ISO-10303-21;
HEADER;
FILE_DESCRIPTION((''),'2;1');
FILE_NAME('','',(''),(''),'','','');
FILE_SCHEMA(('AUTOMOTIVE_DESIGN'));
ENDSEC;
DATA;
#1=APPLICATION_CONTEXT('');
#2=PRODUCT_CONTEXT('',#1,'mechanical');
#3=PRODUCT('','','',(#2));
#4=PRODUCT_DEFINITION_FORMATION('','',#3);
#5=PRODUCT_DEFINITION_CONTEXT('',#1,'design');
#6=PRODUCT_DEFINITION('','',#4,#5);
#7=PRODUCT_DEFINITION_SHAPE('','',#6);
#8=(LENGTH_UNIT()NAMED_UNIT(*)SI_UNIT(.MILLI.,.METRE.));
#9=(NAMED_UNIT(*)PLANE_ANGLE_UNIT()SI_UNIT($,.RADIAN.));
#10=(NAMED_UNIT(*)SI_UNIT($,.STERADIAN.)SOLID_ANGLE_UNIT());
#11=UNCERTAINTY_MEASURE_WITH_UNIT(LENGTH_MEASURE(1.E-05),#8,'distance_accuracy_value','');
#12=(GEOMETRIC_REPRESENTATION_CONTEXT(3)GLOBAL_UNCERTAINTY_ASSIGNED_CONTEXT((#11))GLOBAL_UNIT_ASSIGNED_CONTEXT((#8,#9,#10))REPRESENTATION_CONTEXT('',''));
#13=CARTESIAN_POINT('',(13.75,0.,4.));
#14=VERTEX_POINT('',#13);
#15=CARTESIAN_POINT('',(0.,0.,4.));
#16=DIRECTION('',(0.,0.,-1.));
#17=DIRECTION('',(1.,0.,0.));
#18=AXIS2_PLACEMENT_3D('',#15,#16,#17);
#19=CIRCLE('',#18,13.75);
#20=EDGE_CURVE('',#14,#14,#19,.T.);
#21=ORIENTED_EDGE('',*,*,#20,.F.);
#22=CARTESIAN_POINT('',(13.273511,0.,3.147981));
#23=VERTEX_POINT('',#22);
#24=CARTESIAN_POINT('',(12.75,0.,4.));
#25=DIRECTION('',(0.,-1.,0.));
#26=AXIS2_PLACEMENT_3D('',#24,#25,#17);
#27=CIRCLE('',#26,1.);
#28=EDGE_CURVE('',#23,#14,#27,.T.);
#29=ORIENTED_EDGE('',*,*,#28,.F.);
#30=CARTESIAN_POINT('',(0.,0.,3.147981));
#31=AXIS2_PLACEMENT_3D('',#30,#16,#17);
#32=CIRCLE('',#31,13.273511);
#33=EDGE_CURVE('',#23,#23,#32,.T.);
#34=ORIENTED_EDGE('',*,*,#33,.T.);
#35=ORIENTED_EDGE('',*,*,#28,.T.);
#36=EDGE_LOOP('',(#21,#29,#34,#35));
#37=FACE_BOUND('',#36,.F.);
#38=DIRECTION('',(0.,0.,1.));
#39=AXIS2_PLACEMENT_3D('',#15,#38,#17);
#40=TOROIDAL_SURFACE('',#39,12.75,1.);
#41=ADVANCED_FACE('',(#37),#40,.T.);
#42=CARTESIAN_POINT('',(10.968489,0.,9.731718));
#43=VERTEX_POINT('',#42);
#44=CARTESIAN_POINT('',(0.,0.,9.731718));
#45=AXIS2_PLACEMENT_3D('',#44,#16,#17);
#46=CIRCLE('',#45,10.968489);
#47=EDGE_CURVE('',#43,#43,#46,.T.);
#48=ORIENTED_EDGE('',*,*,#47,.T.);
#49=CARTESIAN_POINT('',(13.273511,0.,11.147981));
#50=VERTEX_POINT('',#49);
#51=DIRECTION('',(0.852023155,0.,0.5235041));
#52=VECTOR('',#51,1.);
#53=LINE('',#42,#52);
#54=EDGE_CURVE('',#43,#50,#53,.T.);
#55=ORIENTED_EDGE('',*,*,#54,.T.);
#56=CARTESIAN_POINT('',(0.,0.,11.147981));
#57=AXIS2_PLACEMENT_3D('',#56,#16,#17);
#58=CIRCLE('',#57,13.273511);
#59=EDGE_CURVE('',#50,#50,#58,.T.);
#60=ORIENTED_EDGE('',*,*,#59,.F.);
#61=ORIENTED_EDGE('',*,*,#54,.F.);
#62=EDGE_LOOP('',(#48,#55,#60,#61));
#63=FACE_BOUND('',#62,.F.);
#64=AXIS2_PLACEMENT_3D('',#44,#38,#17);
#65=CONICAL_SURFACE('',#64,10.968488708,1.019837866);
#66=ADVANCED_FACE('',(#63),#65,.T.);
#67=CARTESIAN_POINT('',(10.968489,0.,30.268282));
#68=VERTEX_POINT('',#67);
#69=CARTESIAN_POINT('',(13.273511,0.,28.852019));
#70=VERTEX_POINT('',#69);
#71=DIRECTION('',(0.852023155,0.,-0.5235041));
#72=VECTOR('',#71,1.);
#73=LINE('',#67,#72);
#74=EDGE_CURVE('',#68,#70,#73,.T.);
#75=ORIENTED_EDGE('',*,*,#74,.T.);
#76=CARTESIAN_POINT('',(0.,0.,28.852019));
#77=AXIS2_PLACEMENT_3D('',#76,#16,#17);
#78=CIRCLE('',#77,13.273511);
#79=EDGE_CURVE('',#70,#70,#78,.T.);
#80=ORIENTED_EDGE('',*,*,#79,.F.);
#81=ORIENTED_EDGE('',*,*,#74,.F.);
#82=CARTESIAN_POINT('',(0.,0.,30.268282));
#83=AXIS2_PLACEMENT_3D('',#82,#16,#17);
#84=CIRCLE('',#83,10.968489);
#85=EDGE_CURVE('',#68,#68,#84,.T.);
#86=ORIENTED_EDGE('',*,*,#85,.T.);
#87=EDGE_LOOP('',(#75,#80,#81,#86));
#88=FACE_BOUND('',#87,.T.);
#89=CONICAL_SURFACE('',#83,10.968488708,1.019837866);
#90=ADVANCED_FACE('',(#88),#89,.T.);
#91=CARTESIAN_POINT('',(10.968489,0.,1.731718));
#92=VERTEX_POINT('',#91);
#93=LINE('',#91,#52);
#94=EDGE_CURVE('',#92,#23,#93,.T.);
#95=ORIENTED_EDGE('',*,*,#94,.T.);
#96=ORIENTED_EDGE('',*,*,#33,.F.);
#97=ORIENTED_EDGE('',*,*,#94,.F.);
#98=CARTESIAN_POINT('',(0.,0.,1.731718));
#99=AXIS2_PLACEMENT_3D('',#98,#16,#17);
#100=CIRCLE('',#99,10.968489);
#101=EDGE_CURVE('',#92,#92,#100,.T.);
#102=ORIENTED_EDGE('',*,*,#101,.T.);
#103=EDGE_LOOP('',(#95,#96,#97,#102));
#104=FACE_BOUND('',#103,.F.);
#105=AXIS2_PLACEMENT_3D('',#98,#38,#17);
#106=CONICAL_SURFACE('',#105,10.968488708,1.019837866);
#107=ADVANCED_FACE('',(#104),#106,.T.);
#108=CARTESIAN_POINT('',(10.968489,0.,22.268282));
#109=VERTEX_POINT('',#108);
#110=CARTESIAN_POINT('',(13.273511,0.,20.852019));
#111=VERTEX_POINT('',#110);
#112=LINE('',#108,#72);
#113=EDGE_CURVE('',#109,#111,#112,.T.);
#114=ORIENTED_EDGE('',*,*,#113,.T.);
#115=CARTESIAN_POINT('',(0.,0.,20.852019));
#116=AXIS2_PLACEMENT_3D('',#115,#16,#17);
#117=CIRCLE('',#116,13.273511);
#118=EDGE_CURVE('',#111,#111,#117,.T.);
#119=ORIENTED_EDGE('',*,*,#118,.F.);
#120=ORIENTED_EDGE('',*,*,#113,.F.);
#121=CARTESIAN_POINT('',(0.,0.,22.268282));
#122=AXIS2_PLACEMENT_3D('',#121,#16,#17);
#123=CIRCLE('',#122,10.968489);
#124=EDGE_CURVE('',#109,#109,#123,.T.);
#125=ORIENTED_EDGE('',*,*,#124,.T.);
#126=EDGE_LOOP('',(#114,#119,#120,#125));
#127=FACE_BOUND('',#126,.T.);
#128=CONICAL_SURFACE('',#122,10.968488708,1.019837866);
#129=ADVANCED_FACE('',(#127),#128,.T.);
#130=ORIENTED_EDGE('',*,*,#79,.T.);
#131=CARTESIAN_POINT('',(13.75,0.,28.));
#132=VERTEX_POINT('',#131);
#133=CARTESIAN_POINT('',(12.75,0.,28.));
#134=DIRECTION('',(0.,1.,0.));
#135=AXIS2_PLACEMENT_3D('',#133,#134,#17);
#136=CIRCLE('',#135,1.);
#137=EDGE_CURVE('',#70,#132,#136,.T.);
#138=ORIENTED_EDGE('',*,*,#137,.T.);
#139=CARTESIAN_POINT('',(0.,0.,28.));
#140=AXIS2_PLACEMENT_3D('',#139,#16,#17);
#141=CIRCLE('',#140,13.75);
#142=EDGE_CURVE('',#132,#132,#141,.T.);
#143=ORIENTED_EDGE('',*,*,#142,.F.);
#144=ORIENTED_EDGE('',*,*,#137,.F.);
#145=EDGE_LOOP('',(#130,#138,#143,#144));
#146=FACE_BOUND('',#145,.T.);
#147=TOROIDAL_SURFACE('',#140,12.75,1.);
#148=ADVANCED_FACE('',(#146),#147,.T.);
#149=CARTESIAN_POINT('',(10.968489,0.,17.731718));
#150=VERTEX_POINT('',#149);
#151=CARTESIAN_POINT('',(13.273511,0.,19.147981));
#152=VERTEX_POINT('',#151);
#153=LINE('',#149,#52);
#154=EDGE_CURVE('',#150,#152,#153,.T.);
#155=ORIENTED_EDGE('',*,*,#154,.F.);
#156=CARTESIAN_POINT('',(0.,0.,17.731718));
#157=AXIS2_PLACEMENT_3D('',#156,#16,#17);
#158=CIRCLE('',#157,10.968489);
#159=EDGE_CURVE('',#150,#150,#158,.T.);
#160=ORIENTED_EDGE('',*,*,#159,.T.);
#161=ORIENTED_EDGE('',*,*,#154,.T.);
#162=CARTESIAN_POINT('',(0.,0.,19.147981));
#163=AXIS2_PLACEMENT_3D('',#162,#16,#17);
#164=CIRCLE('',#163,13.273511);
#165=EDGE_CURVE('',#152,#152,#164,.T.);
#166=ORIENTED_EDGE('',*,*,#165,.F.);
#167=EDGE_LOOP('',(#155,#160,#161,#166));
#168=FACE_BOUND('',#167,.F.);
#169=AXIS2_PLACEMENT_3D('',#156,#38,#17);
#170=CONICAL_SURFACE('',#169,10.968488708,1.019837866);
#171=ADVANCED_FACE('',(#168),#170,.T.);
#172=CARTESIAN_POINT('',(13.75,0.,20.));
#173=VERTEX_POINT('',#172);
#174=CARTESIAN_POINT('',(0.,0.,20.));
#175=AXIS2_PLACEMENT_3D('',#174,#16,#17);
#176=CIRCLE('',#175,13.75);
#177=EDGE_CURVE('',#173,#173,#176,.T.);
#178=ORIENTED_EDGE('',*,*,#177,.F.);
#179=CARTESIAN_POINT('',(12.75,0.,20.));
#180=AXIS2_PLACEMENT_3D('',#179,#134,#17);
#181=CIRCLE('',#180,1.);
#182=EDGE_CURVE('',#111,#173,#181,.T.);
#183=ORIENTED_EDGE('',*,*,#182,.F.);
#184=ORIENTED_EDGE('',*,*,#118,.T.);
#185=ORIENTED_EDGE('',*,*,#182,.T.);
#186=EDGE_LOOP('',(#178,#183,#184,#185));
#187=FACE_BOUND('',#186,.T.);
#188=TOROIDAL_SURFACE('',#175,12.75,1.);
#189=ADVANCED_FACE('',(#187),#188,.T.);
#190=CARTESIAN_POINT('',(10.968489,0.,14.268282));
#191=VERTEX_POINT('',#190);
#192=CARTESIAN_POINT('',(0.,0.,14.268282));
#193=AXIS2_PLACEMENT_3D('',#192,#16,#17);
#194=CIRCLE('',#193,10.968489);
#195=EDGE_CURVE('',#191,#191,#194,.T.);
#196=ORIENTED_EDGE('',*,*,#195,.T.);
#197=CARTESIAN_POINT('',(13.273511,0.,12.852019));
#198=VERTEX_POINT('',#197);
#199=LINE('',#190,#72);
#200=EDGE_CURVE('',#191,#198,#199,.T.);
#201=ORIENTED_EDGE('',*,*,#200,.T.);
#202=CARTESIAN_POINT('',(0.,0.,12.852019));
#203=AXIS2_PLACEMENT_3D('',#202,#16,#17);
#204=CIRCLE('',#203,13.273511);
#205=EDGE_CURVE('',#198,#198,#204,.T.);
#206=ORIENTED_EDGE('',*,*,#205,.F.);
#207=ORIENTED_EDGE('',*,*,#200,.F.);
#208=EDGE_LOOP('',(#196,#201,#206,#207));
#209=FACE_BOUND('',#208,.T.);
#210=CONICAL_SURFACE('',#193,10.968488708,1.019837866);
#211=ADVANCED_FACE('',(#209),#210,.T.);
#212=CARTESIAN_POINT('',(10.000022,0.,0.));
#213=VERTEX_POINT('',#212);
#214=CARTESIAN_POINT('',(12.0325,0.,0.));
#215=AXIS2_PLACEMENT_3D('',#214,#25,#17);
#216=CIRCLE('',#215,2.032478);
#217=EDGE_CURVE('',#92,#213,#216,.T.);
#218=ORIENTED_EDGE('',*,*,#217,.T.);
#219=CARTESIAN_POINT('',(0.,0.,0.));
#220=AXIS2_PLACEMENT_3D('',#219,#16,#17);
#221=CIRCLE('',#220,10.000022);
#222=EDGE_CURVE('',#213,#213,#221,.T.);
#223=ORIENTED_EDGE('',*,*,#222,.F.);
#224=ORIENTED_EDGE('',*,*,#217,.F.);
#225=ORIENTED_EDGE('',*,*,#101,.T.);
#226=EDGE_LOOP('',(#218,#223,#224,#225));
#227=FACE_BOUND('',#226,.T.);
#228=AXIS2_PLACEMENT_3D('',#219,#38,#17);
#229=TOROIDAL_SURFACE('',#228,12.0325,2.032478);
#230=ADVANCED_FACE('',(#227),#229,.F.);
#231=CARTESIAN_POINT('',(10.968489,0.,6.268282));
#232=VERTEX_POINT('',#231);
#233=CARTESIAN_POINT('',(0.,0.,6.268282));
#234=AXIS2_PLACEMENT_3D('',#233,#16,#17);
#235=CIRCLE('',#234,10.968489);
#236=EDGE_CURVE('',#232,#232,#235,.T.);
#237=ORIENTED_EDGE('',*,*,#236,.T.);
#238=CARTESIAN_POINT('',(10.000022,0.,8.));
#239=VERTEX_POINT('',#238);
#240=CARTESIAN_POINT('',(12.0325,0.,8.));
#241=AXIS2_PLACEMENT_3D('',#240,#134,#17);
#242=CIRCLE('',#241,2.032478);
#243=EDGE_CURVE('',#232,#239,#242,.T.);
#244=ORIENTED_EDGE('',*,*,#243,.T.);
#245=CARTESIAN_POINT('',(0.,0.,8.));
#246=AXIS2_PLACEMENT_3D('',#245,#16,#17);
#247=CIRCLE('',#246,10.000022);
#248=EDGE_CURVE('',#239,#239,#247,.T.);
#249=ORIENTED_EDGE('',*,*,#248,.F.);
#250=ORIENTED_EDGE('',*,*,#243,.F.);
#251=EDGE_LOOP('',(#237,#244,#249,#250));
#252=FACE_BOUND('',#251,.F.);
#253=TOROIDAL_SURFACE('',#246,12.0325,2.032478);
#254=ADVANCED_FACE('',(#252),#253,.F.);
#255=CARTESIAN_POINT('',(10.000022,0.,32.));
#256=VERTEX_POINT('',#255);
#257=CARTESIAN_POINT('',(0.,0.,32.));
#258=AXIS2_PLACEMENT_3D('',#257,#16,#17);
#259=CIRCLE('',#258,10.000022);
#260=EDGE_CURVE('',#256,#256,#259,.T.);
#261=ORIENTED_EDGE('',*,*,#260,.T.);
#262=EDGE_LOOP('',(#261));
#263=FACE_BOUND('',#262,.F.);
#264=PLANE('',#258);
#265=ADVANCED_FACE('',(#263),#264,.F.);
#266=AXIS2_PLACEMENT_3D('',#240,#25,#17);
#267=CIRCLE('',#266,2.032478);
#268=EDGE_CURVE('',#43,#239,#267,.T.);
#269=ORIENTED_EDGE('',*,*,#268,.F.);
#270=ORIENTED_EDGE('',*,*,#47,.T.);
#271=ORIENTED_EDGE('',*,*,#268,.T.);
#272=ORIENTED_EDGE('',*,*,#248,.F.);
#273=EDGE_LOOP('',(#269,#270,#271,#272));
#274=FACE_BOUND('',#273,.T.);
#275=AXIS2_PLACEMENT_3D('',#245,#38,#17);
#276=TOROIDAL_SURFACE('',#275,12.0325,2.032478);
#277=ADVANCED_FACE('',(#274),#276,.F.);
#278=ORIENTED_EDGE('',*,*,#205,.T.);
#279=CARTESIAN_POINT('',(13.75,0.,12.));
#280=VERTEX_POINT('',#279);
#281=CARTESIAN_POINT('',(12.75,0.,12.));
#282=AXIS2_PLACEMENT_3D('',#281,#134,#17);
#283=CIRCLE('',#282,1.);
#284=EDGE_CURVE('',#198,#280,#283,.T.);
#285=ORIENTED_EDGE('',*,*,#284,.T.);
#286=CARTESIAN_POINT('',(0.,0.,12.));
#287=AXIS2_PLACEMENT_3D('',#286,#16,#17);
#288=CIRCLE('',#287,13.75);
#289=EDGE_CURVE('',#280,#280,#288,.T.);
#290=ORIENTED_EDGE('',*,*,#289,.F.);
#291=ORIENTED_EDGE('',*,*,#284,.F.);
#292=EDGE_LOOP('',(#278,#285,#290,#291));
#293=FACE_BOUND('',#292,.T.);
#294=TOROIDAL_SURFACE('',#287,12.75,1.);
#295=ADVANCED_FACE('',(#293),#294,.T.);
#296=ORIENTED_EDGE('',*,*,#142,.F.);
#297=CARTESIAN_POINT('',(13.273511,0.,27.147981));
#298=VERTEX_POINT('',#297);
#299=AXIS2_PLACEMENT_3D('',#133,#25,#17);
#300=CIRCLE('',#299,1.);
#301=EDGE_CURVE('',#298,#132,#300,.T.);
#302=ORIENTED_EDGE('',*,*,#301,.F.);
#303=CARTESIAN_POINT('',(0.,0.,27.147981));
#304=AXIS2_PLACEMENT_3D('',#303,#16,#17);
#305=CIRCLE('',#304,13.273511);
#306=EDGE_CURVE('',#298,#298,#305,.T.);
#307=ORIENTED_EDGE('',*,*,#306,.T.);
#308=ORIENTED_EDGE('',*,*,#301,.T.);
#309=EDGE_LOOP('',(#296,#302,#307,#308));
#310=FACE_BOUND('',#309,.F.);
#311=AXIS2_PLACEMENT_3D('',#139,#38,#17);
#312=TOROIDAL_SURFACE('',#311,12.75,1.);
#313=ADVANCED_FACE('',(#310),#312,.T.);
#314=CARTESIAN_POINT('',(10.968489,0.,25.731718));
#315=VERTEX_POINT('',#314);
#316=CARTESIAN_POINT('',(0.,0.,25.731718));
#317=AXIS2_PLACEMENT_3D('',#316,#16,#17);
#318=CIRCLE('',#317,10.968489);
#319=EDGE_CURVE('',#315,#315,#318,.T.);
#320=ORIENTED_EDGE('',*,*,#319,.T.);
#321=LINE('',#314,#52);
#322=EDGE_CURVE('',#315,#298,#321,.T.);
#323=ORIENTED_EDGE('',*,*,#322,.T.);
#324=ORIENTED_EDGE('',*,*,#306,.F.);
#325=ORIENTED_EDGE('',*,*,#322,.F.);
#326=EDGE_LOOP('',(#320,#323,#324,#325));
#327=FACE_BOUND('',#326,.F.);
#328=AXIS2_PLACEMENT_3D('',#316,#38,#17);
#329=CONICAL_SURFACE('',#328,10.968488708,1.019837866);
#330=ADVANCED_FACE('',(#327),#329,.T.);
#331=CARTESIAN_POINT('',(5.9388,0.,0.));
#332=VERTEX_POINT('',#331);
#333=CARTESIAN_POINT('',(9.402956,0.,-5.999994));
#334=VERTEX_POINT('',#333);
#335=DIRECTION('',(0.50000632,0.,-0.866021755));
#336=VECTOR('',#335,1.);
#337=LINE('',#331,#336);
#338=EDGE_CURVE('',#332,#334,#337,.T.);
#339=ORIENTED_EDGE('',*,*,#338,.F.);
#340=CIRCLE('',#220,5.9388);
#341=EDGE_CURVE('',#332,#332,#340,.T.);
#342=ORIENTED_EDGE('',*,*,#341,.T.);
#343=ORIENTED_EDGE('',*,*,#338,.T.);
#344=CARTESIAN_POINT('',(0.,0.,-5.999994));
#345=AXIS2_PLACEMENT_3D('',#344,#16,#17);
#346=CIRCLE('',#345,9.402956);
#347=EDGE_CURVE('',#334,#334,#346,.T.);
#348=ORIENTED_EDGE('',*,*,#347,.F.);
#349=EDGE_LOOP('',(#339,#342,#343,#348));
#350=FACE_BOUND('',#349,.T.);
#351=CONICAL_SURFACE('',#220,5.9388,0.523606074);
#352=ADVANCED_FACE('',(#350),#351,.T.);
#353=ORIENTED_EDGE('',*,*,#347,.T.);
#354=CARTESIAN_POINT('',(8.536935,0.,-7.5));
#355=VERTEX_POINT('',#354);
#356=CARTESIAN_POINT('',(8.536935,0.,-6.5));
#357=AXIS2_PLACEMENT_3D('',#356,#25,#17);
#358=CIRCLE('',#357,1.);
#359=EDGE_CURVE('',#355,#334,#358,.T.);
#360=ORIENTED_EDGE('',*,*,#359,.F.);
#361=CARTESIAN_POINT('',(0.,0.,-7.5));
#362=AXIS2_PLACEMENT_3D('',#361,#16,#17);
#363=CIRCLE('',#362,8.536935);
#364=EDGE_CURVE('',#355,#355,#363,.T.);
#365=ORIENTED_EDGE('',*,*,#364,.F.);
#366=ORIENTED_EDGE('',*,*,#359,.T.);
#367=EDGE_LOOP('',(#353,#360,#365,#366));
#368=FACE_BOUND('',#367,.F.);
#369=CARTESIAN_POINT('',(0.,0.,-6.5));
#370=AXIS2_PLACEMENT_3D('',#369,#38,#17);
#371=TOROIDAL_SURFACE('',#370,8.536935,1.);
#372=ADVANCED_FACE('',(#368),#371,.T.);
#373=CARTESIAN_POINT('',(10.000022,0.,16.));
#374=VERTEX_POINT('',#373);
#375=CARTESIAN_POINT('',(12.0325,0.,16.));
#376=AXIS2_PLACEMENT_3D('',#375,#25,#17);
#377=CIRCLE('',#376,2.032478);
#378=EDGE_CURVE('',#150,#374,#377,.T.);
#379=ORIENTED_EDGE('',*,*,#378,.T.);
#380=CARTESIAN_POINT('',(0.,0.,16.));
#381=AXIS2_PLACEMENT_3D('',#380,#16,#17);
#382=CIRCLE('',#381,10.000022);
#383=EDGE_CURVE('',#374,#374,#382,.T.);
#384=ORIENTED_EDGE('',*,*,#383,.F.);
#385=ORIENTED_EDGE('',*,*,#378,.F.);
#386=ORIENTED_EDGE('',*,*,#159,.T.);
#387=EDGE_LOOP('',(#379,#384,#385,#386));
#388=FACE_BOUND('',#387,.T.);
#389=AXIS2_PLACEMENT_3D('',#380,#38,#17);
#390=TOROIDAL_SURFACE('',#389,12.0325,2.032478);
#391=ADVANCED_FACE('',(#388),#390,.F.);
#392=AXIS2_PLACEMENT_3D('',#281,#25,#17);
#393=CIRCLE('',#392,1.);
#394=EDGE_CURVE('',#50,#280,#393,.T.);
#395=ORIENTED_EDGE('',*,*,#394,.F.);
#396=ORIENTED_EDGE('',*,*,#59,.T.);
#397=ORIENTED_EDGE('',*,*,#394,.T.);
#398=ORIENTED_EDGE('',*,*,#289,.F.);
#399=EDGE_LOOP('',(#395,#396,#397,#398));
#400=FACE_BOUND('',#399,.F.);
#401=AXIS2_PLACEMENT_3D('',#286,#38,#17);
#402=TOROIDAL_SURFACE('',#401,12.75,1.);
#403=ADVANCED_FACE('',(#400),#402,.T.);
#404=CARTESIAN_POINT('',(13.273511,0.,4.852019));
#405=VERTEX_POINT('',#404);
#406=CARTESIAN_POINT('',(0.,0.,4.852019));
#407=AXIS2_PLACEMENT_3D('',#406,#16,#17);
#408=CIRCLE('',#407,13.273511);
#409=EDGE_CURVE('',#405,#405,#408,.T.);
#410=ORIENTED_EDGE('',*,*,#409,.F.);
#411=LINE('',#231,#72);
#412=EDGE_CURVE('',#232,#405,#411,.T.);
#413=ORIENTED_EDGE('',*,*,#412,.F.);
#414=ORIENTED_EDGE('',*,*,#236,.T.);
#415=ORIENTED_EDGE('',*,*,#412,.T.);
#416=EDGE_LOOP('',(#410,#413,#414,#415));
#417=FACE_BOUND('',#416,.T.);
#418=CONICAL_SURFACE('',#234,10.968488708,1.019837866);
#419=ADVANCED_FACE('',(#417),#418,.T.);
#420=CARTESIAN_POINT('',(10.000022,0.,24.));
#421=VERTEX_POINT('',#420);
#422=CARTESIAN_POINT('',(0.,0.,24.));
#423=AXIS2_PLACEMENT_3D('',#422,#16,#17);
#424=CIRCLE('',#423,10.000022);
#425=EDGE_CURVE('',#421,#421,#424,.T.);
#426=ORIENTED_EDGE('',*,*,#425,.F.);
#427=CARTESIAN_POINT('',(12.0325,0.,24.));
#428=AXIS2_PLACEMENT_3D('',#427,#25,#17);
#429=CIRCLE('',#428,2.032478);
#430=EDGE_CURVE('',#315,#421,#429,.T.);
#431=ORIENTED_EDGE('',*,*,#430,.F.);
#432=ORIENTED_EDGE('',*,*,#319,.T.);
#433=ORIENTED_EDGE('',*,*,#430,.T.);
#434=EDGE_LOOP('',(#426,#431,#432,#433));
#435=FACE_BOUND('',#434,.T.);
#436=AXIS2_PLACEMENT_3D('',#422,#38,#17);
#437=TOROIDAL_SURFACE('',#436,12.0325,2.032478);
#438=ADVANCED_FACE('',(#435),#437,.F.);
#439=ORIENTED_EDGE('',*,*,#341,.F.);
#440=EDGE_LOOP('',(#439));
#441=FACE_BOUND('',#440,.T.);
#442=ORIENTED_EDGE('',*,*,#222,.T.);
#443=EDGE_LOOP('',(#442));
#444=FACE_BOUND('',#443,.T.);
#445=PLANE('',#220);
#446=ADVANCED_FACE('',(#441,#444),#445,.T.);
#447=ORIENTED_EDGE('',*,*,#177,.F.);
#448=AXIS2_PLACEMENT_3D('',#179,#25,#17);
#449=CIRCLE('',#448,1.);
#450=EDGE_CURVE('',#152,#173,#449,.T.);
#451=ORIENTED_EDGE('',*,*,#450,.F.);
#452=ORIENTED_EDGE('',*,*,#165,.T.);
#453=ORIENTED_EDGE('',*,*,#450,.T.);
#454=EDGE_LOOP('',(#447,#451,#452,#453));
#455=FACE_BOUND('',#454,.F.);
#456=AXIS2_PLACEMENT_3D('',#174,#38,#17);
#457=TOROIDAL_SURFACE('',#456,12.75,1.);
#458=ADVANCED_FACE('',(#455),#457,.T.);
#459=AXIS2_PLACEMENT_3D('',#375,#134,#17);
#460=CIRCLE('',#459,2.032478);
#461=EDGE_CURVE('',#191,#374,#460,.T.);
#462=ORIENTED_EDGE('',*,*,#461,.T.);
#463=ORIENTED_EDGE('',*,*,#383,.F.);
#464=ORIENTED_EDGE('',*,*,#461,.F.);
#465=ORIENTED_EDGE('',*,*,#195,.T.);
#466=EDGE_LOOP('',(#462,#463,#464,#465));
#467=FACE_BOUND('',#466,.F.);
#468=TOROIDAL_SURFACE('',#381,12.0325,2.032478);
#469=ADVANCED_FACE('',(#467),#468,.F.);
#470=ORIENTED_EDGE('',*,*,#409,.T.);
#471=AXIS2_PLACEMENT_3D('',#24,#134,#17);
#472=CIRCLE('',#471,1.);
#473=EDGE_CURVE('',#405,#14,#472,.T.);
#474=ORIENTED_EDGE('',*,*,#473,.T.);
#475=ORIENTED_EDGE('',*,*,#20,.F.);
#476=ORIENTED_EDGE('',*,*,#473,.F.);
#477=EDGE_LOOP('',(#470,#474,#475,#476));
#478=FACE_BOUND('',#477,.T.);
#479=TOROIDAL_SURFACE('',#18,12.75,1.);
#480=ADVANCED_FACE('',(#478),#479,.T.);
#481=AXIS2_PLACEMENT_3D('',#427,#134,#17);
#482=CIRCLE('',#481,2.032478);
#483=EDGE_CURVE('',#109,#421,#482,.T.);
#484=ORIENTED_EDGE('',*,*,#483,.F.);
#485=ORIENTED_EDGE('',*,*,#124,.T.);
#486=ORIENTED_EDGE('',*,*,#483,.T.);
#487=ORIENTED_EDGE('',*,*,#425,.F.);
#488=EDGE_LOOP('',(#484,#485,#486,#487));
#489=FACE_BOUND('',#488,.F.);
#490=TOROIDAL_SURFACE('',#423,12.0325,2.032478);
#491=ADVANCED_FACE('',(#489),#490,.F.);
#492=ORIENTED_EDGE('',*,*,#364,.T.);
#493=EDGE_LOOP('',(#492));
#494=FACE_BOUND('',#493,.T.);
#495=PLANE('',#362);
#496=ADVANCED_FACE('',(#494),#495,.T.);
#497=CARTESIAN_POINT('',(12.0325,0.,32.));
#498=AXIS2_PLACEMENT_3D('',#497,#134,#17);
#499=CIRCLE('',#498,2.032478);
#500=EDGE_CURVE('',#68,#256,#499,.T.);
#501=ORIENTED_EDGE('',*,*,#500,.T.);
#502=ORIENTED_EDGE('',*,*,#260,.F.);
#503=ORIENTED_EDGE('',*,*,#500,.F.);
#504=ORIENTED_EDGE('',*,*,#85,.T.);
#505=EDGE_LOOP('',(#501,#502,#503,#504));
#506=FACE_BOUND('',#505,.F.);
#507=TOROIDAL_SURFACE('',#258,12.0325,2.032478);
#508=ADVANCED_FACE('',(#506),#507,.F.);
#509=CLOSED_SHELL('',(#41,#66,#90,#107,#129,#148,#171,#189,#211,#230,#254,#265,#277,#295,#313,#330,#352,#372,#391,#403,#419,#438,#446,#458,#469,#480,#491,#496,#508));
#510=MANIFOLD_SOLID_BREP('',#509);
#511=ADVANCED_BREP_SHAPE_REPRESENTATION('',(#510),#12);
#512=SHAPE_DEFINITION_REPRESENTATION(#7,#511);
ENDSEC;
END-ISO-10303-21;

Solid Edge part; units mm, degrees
sketch "Sketch1" plane through (0, 0, 0) normal (0, -1, 0) x (1, 0, 0)
  line L0 (10, 32) -> (0, 32)
  line L1 (0, 32) -> (0, -7.5)
  line L2 (10.269, -7.5) -> (0, -7.5)
  line L3 (5.9388, 0) -> (10.269, -7.5)
  line L4 (10, 0) -> (5.9388, 0)
  arc A0 (10.9685, 1.7317) -> (10, 0) centre (12.0325, 0) ccw
  line L5 (10.9685, 1.7317) -> (13.2735, 3.148)
  arc A1 (13.2735, 3.148) -> (13.75, 4) centre (12.75, 4) ccw
  arc A2 (13.2735, 4.852) -> (13.75, 4) centre (12.75, 4) cw
  line L6 (10.9685, 6.2683) -> (13.2735, 4.852)
  arc A3 (10.9685, 6.2683) -> (10, 8) centre (12.0325, 8) cw
  arc A4 (10.9685, 9.7317) -> (10, 8) centre (12.0325, 8) ccw
  line L7 (10.9685, 9.7317) -> (13.2735, 11.148)
  arc A5 (13.2735, 11.148) -> (13.75, 12) centre (12.75, 12) ccw
  arc A6 (13.2735, 12.852) -> (13.75, 12) centre (12.75, 12) cw
  line L8 (10.9685, 14.2683) -> (13.2735, 12.852)
  arc A7 (10.9685, 14.2683) -> (10, 16) centre (12.0325, 16) cw
  arc A8 (10.9685, 17.7317) -> (10, 16) centre (12.0325, 16) ccw
  line L9 (10.9685, 17.7317) -> (13.2735, 19.148)
  arc A9 (13.2735, 19.148) -> (13.75, 20) centre (12.75, 20) ccw
  arc A10 (13.2735, 20.852) -> (13.75, 20) centre (12.75, 20) cw
  line L10 (10.9685, 22.2683) -> (13.2735, 20.852)
  arc A11 (10.9685, 22.2683) -> (10, 24) centre (12.0325, 24) cw
  arc A12 (10.9685, 25.7317) -> (10, 24) centre (12.0325, 24) ccw
  line L11 (10.9685, 25.7317) -> (13.2735, 27.148)
  arc A13 (13.2735, 27.148) -> (13.75, 28) centre (12.75, 28) ccw
  arc A14 (13.2735, 28.852) -> (13.75, 28) centre (12.75, 28) cw
  line L12 (10.9685, 30.2683) -> (13.2735, 28.852)
  arc A15 (10.9685, 30.2683) -> (10, 32) centre (12.0325, 32) cw
revolve "RevolvedProtrusion1" add sketch "Sketch1" angle 360 about axis through (0, 0, 32) along (0, 0, -1)
fillet "Round1" radius 1 1 edges at (-10.269, 0, -7.5)
